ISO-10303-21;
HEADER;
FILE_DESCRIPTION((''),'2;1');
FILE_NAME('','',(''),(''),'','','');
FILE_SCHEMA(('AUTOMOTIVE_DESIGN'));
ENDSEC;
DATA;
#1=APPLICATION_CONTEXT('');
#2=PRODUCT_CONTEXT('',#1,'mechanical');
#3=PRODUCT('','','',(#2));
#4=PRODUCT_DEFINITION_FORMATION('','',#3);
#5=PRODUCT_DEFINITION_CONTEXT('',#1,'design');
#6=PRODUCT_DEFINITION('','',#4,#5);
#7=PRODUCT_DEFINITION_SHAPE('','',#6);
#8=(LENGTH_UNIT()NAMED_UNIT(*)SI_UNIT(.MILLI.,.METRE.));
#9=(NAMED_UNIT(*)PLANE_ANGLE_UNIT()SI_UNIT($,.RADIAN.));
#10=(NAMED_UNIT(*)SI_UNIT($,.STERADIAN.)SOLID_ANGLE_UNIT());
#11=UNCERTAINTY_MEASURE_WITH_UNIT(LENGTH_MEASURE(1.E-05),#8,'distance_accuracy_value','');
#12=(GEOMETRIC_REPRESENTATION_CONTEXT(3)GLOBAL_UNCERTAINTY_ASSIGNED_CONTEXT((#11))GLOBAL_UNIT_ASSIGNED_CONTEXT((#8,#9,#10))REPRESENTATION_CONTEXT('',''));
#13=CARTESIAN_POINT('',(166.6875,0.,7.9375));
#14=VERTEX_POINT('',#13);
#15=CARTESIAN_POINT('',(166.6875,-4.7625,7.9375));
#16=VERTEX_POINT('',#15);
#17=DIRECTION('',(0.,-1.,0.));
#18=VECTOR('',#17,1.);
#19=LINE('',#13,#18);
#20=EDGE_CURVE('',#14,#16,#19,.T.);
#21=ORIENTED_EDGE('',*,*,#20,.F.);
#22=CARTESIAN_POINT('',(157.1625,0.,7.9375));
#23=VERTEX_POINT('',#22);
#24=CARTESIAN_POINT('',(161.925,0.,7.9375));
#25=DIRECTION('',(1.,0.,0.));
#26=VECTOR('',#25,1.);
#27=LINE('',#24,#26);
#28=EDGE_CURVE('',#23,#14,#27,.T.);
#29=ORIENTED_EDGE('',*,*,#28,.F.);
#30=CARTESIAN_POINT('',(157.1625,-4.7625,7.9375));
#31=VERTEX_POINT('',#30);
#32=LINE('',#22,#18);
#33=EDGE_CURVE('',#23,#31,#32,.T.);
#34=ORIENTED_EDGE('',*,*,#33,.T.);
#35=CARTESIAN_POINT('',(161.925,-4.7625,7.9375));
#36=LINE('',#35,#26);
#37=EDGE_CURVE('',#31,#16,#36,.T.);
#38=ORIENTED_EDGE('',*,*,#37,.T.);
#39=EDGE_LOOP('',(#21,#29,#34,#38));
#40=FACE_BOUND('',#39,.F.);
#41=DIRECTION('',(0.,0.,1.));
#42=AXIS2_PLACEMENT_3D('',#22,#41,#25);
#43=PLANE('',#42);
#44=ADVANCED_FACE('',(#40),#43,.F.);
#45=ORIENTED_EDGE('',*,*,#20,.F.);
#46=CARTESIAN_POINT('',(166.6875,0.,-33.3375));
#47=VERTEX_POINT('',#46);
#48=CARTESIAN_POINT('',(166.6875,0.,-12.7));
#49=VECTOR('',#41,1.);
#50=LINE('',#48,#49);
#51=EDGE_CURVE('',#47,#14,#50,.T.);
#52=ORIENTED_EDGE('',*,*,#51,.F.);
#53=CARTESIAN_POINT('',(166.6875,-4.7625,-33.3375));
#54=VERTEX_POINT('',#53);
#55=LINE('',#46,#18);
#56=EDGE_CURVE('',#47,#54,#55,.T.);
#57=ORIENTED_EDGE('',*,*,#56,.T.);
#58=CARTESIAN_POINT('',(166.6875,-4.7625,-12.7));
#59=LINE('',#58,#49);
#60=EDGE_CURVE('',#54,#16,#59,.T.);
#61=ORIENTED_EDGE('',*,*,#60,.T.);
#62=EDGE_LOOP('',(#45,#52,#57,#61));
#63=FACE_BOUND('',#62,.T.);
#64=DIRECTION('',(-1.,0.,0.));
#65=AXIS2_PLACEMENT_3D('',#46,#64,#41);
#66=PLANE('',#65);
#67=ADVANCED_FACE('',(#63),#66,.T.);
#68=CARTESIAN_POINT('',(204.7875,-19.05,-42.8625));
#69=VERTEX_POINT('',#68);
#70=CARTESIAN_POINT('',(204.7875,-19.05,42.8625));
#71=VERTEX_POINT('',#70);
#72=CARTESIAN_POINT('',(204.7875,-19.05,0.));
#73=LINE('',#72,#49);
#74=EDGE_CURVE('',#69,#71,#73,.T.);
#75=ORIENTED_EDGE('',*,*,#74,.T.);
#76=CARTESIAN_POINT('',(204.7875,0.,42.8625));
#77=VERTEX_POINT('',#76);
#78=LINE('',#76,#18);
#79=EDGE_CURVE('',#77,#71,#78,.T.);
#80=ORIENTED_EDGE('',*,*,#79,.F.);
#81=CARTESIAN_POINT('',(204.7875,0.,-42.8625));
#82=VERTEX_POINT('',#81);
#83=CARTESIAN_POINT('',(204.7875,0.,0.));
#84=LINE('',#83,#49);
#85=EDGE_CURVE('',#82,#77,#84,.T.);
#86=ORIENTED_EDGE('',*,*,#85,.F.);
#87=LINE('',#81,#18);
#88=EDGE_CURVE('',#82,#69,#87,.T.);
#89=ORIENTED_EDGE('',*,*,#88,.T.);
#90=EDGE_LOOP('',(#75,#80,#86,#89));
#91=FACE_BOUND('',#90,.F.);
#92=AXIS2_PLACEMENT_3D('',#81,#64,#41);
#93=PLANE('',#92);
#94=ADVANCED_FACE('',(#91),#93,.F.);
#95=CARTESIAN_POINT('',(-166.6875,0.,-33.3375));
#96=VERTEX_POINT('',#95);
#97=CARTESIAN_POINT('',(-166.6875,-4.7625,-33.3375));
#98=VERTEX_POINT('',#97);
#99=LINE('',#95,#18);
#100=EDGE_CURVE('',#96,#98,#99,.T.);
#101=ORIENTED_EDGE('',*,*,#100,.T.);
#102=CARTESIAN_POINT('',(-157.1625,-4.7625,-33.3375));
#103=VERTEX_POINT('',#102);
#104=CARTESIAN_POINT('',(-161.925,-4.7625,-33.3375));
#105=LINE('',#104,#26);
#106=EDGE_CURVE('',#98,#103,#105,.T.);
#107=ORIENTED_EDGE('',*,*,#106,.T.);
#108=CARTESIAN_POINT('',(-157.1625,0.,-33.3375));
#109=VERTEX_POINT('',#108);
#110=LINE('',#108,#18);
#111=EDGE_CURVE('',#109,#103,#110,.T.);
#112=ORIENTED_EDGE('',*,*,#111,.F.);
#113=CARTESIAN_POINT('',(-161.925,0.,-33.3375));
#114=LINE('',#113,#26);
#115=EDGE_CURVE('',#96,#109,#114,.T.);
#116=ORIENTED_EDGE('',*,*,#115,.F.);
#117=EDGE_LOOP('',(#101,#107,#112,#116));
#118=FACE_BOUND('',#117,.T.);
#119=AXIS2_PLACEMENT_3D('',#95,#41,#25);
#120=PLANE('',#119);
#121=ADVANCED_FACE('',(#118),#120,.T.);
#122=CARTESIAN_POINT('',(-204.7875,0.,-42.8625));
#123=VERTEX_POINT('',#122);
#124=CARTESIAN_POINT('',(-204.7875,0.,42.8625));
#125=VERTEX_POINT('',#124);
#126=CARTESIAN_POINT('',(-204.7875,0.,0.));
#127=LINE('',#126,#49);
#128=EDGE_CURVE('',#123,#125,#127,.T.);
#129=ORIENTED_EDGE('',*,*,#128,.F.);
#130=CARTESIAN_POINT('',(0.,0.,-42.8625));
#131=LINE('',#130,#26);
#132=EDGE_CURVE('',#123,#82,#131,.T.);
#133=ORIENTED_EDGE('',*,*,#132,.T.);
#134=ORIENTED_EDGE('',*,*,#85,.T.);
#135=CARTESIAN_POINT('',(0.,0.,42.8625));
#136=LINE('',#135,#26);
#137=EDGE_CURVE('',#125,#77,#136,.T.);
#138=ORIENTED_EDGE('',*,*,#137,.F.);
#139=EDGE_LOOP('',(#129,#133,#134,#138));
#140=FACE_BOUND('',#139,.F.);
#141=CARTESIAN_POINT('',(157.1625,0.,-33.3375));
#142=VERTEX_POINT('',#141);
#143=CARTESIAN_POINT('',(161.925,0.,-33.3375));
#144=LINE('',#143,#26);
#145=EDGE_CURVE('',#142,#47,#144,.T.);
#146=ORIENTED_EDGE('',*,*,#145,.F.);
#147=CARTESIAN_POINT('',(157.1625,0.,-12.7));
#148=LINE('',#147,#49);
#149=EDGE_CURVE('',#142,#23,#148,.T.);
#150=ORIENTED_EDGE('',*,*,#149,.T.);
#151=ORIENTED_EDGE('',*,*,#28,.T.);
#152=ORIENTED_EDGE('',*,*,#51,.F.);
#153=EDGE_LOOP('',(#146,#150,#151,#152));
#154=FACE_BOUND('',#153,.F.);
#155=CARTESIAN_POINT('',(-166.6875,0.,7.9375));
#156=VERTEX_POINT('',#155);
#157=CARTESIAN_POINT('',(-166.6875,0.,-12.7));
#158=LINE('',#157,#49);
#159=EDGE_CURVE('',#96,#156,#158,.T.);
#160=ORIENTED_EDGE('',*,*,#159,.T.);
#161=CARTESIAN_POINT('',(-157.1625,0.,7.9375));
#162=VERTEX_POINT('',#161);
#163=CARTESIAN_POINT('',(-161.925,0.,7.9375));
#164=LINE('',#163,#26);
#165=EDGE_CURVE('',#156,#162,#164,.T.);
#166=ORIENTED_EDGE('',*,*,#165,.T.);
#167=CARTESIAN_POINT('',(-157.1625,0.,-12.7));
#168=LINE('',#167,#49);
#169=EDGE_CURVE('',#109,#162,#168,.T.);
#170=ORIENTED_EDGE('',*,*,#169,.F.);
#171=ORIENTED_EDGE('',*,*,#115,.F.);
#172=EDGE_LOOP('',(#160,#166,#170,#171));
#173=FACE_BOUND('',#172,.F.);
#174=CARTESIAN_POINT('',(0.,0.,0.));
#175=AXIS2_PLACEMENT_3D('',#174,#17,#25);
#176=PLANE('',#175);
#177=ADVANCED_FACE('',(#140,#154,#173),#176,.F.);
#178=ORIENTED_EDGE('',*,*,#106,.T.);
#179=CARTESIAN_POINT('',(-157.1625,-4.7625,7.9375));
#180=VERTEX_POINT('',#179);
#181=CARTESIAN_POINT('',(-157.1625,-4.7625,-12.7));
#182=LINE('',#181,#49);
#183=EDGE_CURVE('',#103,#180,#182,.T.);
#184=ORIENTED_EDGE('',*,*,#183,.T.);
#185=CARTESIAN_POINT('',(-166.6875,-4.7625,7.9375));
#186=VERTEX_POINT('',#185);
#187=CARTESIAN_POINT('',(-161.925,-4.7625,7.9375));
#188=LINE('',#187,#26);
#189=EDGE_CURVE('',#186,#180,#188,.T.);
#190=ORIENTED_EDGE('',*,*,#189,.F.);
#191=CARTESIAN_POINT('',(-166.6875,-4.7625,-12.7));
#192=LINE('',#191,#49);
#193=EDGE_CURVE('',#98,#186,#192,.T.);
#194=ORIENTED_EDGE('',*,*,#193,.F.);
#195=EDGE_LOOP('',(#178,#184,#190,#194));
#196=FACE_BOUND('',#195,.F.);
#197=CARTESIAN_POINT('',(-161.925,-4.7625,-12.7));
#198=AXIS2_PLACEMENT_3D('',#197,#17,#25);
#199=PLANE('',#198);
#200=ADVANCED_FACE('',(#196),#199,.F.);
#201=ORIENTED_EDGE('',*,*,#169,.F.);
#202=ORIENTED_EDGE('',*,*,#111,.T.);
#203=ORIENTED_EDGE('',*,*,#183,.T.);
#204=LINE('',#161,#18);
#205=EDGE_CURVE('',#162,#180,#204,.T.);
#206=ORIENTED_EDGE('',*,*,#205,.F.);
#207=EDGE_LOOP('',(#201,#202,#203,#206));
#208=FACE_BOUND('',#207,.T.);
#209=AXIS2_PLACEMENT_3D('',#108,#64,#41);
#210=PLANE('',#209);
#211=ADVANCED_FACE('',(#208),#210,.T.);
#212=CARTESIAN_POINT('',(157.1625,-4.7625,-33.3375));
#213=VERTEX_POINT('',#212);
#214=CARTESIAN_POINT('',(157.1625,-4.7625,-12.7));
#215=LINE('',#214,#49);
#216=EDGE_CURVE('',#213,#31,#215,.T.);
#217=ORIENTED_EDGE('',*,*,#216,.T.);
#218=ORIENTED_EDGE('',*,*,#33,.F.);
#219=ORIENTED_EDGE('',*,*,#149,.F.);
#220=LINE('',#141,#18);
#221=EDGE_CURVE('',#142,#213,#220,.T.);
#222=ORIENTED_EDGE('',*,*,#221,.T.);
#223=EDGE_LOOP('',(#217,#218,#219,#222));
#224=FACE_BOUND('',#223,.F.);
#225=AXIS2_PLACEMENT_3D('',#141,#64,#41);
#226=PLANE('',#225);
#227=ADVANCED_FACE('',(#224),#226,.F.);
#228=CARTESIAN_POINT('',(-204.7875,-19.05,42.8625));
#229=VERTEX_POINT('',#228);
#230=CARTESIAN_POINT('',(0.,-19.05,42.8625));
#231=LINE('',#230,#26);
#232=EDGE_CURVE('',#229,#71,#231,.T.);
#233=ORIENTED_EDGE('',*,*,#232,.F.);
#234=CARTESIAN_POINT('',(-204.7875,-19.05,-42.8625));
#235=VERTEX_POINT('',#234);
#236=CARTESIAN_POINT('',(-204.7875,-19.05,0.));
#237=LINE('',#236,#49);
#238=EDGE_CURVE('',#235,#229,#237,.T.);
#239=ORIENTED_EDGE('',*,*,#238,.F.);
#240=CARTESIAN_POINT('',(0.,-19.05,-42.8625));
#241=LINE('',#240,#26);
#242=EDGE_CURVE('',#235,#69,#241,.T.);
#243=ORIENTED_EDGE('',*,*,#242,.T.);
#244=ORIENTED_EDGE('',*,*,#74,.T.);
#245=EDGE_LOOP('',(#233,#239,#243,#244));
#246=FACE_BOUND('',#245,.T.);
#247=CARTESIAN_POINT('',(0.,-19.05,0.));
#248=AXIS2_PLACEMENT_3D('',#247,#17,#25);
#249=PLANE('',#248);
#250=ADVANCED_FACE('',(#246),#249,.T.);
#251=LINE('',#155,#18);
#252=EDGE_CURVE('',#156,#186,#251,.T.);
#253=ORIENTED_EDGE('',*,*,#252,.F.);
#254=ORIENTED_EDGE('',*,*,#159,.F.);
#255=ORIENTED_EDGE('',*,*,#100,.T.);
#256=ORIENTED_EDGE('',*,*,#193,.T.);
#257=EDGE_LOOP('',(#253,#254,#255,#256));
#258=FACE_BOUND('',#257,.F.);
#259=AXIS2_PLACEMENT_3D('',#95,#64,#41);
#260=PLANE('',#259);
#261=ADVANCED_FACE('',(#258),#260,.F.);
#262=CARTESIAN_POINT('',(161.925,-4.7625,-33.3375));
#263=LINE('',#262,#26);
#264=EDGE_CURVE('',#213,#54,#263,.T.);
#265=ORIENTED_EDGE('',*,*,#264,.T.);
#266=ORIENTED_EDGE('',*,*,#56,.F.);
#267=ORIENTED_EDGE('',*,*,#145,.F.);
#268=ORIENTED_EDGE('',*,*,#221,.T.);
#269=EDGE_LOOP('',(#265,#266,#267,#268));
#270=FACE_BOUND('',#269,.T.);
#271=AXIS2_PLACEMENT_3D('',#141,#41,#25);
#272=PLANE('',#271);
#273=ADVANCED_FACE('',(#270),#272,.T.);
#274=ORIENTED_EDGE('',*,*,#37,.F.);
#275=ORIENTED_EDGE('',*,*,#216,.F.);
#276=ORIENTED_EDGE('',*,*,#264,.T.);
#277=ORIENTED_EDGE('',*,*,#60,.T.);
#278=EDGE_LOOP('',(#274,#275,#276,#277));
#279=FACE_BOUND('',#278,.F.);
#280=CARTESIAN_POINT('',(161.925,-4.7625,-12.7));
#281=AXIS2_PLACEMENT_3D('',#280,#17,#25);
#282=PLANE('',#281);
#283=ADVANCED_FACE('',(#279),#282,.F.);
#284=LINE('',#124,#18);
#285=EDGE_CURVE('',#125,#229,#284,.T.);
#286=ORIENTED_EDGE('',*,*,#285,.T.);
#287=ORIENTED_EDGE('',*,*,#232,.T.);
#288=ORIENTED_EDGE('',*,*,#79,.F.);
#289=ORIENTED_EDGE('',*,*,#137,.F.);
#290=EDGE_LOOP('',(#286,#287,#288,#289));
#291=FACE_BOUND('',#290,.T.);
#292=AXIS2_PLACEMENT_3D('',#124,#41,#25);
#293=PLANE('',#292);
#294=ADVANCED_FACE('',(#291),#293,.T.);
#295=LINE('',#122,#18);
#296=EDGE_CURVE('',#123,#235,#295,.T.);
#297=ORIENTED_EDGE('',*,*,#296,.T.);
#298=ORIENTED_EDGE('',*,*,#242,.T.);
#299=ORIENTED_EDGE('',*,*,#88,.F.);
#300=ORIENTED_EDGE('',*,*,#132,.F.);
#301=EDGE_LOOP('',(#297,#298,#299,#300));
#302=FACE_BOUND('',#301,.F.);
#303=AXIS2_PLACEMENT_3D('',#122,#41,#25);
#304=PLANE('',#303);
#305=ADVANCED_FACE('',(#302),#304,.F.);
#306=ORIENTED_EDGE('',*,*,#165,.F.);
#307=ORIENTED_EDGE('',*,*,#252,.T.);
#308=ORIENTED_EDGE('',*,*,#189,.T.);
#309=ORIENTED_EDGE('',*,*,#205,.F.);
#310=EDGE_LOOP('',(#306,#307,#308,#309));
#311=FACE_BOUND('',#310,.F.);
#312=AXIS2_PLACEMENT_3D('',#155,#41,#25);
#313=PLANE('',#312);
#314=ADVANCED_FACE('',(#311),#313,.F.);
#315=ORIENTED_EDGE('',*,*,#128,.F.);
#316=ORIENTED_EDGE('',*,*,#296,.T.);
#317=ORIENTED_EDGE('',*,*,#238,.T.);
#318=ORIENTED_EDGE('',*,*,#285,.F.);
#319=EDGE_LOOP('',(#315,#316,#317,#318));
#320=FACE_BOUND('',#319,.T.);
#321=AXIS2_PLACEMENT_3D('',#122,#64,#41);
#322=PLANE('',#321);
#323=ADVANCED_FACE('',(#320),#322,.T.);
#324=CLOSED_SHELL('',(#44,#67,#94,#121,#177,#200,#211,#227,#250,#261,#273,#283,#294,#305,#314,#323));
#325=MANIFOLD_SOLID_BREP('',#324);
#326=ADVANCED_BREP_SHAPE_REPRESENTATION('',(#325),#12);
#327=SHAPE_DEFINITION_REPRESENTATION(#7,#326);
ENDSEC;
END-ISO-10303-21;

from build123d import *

# Parameters (mm, degrees)
F0_W     = 409.575
F0_H     = 85.725
F0_W_2   = 9.525
F0_H_2   = 41.275
F1_DEPTH = 19.05
F2_DEPTH = 4.7625


with BuildPart() as f1:
    # F0 (on Front) → F1 (new body)
    with BuildSketch(Plane.XZ):
        Rectangle(F0_W, F0_H)
        with Locations((-161.925, -12.7)):
            Rectangle(F0_W_2, F0_H_2, mode=Mode.SUBTRACT)
        with Locations((161.925, -12.7)):
            Rectangle(F0_W_2, F0_H_2, mode=Mode.SUBTRACT)
        with Locations((161.925, -12.7)):
            Rectangle(F0_W_2, F0_H_2)
        with Locations((-161.925, -12.7)):
            Rectangle(F0_W_2, F0_H_2)
    extrude(amount=F1_DEPTH)

    # F0 (on Front) → F2 (cut)
    with BuildSketch(Plane.XZ):
        with Locations((161.925, -12.7)):
            Rectangle(F0_W_2, F0_H_2)
        with Locations((-161.925, -12.7)):
            Rectangle(F0_W_2, F0_H_2)
    extrude(amount=F2_DEPTH, mode=Mode.SUBTRACT)


solid = f1.part
